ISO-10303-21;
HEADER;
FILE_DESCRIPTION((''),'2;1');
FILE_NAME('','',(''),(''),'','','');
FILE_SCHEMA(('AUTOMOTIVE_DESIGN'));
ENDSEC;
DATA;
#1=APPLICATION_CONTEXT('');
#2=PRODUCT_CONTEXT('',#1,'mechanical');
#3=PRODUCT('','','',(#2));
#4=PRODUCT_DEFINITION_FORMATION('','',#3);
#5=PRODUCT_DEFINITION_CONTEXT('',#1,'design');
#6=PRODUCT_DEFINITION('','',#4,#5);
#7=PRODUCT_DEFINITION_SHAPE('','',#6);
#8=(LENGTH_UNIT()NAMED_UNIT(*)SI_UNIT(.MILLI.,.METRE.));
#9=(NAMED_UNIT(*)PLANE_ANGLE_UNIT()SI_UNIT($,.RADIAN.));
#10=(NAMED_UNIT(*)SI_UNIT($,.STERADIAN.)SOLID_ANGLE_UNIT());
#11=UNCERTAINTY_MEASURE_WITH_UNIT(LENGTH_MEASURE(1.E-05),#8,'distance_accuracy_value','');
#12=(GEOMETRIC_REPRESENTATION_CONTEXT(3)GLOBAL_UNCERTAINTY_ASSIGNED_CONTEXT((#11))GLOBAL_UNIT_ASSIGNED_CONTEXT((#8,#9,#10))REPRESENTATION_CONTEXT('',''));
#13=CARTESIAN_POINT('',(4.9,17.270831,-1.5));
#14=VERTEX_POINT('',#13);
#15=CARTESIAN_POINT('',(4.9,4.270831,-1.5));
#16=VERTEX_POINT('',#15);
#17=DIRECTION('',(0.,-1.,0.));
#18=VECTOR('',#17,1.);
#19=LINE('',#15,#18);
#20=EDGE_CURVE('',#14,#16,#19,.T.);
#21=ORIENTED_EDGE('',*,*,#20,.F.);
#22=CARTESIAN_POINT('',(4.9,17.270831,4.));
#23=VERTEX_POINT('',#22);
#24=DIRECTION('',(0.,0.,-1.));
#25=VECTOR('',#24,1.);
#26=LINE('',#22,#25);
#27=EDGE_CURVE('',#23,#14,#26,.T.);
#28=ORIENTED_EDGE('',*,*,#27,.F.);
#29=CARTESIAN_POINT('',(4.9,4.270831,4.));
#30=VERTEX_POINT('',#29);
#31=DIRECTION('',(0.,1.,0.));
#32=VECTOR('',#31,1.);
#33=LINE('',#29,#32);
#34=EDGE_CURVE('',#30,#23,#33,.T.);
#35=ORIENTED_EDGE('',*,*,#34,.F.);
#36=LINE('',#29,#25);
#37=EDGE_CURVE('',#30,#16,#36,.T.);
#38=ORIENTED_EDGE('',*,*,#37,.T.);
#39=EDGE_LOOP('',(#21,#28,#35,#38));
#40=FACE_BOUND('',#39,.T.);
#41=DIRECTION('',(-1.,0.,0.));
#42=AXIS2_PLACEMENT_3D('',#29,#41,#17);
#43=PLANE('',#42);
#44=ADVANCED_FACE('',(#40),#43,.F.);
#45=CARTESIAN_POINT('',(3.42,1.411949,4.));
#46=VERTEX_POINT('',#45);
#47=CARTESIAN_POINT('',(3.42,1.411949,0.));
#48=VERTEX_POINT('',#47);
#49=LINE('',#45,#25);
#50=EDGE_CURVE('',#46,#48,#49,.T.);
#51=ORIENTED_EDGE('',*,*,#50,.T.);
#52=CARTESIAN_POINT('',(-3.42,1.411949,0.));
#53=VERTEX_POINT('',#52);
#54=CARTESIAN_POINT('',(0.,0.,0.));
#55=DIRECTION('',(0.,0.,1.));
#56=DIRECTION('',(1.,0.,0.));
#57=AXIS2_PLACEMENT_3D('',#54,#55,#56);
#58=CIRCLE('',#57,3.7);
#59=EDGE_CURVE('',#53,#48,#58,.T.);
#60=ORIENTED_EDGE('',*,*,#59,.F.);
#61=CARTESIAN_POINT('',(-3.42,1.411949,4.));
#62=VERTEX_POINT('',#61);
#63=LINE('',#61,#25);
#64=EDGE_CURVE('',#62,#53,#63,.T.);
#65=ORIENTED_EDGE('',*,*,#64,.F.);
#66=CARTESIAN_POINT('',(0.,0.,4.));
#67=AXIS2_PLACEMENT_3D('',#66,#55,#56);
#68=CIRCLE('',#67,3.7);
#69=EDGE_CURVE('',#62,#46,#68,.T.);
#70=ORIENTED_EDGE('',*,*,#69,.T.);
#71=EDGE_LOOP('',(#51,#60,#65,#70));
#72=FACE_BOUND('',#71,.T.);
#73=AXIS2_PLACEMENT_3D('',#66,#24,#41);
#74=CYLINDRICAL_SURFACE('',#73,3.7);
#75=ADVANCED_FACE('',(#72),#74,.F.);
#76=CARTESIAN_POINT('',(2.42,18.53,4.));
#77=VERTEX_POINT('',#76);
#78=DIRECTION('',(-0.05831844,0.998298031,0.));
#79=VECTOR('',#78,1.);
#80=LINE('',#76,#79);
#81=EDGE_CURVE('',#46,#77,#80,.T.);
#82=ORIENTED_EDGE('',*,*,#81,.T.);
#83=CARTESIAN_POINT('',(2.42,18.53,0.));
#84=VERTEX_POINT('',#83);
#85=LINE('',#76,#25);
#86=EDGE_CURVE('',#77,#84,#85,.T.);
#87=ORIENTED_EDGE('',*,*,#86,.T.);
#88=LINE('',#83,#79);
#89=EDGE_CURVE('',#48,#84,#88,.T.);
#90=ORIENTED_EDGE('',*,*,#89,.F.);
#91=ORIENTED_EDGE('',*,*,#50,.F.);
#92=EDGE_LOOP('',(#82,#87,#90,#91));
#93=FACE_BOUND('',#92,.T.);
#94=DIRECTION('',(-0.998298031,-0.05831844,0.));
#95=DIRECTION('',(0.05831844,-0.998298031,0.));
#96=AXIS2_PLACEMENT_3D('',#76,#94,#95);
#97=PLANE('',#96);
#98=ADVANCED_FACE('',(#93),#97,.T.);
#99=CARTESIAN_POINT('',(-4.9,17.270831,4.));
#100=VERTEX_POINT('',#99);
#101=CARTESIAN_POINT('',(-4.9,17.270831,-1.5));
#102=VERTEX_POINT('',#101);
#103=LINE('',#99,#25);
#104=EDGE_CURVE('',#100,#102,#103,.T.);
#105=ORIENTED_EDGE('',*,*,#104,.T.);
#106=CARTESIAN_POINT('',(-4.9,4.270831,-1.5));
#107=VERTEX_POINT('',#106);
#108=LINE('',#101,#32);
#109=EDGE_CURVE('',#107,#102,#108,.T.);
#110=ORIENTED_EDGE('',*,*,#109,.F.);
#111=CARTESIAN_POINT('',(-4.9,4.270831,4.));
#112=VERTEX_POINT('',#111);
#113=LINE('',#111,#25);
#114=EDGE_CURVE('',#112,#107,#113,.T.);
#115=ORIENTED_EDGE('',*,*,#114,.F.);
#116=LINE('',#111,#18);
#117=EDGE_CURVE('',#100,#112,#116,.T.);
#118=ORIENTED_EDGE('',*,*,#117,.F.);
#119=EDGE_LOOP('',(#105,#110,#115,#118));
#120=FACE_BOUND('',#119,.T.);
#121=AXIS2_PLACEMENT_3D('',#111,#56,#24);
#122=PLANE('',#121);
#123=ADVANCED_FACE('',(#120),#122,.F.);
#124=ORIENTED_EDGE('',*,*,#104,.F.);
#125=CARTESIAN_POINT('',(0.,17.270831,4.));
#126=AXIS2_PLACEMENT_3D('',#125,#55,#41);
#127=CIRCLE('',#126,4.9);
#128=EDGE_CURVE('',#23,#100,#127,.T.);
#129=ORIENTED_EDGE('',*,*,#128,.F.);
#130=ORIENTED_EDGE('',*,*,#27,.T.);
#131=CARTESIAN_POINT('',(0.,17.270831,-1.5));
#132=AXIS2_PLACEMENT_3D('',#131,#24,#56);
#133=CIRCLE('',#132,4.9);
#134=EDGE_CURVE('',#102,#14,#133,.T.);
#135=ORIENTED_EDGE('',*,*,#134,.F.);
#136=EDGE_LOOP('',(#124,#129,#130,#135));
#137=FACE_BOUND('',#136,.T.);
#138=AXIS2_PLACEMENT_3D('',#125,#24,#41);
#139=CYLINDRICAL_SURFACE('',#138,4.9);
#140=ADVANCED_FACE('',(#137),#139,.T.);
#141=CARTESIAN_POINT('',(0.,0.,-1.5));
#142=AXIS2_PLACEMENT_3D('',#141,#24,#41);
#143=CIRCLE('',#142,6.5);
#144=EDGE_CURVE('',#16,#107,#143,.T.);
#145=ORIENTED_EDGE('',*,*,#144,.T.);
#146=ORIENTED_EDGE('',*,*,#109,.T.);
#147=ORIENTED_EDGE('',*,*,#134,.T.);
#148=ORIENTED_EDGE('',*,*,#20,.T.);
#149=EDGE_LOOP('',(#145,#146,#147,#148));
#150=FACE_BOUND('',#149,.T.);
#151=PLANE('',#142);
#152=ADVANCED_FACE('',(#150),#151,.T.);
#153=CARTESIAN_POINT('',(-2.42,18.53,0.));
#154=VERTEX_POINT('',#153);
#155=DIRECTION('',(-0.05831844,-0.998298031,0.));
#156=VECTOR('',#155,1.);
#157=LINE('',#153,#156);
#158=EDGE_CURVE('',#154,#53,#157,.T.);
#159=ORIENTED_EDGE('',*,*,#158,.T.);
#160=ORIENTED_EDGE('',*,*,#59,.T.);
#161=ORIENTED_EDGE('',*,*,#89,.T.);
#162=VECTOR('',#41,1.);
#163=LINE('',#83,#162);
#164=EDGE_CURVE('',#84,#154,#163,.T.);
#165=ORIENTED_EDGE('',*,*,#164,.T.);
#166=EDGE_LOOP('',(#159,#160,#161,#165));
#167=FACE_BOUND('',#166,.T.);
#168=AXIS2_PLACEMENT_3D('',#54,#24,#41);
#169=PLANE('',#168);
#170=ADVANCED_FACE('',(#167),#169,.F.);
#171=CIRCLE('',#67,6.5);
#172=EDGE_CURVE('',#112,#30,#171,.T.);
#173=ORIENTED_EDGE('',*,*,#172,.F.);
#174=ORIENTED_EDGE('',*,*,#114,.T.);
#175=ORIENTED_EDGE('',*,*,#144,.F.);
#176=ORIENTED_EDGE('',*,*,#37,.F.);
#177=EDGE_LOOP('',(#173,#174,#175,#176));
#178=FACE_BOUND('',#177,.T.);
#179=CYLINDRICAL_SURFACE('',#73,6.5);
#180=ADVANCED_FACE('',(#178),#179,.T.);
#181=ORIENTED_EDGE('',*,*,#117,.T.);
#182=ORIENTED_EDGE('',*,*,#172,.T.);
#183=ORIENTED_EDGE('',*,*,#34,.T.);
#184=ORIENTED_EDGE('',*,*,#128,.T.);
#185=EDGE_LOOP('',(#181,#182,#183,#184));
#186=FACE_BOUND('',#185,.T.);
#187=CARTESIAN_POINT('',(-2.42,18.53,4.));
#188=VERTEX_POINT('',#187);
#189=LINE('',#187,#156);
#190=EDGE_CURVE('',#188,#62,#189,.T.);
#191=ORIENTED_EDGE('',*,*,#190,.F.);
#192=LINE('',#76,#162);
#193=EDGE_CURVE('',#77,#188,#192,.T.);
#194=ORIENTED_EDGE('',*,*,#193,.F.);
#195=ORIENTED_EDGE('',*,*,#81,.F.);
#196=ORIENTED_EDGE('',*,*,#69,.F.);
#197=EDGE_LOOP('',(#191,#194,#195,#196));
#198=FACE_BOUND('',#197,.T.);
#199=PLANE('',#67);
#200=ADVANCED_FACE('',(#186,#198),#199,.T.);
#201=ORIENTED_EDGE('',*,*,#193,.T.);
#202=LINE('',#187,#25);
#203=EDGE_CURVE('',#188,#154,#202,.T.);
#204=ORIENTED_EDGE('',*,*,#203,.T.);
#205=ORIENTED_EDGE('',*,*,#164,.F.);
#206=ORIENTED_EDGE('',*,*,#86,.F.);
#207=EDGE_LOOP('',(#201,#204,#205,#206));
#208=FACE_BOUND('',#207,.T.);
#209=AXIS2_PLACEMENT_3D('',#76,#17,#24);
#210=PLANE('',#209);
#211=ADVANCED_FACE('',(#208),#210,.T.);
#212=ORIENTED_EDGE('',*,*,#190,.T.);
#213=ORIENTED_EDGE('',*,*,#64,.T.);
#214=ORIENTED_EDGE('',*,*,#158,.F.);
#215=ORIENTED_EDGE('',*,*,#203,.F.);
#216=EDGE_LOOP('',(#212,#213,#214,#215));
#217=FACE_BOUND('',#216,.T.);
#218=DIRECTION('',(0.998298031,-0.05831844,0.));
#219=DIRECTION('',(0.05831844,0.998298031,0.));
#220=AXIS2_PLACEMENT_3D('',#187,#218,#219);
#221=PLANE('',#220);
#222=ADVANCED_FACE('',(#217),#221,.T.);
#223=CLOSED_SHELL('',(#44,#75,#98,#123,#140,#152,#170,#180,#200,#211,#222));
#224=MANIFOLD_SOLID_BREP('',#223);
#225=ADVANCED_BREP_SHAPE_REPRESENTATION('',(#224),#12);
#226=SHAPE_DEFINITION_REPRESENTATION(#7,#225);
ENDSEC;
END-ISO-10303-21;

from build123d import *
from build123d.topology import SkipClean

# Parameters (mm, degrees)
BOSS_EXTRUDE1_DEPTH = 4
BOSS_EXTRUDE2_START = 1.5
BOSS_EXTRUDE2_DEPTH = 1.5


with BuildPart() as part:
    # Sketch2 → Boss-Extrude1 (new body)
    with BuildSketch(Plane.XY):
        with BuildLine():
            Line((-4.9, 4.270831301), (-4.9, 17.270831301))
            ThreePointArc((-4.9, 17.270831301), (0, 22.170831301), (4.9, 17.270831301))
            Line((4.9, 17.270831301), (4.9, 4.270831301))
            ThreePointArc((4.9, 4.270831301), (0, -6.5), (-4.9, 4.270831301))
        make_face()
        with BuildLine():
            Line((2.42, 18.53), (-2.42, 18.53))
            Line((-2.42, 18.53), (-3.42, 1.411949008))
            ThreePointArc((-3.42, 1.411949008), (0, -3.7), (3.42, 1.411949008))
            Line((3.42, 1.411949008), (2.42, 18.53))
        make_face(mode=Mode.SUBTRACT)
    extrude(amount=BOSS_EXTRUDE1_DEPTH)

    # Sketch3 → Boss-Extrude2 (add)
    with SkipClean():  # the faces are left unmerged after this step: merging them gives an invalid solid
        with BuildSketch(Plane(origin=(0, 0, 0), x_dir=(-1, 0, 0), z_dir=(0, 0, -1)).offset(BOSS_EXTRUDE2_START)):
            with BuildLine():
                Line((-4.9, 4.270831301), (-4.9, 17.270831301))
                ThreePointArc((-4.9, 17.270831301), (0, 22.170831301), (4.9, 17.270831301))
                Line((4.9, 17.270831301), (4.9, 4.270831301))
                ThreePointArc((4.9, 4.270831301), (0, -6.5), (-4.9, 4.270831301))
            make_face()
        extrude(amount=-BOSS_EXTRUDE2_DEPTH)


solid = part.part
